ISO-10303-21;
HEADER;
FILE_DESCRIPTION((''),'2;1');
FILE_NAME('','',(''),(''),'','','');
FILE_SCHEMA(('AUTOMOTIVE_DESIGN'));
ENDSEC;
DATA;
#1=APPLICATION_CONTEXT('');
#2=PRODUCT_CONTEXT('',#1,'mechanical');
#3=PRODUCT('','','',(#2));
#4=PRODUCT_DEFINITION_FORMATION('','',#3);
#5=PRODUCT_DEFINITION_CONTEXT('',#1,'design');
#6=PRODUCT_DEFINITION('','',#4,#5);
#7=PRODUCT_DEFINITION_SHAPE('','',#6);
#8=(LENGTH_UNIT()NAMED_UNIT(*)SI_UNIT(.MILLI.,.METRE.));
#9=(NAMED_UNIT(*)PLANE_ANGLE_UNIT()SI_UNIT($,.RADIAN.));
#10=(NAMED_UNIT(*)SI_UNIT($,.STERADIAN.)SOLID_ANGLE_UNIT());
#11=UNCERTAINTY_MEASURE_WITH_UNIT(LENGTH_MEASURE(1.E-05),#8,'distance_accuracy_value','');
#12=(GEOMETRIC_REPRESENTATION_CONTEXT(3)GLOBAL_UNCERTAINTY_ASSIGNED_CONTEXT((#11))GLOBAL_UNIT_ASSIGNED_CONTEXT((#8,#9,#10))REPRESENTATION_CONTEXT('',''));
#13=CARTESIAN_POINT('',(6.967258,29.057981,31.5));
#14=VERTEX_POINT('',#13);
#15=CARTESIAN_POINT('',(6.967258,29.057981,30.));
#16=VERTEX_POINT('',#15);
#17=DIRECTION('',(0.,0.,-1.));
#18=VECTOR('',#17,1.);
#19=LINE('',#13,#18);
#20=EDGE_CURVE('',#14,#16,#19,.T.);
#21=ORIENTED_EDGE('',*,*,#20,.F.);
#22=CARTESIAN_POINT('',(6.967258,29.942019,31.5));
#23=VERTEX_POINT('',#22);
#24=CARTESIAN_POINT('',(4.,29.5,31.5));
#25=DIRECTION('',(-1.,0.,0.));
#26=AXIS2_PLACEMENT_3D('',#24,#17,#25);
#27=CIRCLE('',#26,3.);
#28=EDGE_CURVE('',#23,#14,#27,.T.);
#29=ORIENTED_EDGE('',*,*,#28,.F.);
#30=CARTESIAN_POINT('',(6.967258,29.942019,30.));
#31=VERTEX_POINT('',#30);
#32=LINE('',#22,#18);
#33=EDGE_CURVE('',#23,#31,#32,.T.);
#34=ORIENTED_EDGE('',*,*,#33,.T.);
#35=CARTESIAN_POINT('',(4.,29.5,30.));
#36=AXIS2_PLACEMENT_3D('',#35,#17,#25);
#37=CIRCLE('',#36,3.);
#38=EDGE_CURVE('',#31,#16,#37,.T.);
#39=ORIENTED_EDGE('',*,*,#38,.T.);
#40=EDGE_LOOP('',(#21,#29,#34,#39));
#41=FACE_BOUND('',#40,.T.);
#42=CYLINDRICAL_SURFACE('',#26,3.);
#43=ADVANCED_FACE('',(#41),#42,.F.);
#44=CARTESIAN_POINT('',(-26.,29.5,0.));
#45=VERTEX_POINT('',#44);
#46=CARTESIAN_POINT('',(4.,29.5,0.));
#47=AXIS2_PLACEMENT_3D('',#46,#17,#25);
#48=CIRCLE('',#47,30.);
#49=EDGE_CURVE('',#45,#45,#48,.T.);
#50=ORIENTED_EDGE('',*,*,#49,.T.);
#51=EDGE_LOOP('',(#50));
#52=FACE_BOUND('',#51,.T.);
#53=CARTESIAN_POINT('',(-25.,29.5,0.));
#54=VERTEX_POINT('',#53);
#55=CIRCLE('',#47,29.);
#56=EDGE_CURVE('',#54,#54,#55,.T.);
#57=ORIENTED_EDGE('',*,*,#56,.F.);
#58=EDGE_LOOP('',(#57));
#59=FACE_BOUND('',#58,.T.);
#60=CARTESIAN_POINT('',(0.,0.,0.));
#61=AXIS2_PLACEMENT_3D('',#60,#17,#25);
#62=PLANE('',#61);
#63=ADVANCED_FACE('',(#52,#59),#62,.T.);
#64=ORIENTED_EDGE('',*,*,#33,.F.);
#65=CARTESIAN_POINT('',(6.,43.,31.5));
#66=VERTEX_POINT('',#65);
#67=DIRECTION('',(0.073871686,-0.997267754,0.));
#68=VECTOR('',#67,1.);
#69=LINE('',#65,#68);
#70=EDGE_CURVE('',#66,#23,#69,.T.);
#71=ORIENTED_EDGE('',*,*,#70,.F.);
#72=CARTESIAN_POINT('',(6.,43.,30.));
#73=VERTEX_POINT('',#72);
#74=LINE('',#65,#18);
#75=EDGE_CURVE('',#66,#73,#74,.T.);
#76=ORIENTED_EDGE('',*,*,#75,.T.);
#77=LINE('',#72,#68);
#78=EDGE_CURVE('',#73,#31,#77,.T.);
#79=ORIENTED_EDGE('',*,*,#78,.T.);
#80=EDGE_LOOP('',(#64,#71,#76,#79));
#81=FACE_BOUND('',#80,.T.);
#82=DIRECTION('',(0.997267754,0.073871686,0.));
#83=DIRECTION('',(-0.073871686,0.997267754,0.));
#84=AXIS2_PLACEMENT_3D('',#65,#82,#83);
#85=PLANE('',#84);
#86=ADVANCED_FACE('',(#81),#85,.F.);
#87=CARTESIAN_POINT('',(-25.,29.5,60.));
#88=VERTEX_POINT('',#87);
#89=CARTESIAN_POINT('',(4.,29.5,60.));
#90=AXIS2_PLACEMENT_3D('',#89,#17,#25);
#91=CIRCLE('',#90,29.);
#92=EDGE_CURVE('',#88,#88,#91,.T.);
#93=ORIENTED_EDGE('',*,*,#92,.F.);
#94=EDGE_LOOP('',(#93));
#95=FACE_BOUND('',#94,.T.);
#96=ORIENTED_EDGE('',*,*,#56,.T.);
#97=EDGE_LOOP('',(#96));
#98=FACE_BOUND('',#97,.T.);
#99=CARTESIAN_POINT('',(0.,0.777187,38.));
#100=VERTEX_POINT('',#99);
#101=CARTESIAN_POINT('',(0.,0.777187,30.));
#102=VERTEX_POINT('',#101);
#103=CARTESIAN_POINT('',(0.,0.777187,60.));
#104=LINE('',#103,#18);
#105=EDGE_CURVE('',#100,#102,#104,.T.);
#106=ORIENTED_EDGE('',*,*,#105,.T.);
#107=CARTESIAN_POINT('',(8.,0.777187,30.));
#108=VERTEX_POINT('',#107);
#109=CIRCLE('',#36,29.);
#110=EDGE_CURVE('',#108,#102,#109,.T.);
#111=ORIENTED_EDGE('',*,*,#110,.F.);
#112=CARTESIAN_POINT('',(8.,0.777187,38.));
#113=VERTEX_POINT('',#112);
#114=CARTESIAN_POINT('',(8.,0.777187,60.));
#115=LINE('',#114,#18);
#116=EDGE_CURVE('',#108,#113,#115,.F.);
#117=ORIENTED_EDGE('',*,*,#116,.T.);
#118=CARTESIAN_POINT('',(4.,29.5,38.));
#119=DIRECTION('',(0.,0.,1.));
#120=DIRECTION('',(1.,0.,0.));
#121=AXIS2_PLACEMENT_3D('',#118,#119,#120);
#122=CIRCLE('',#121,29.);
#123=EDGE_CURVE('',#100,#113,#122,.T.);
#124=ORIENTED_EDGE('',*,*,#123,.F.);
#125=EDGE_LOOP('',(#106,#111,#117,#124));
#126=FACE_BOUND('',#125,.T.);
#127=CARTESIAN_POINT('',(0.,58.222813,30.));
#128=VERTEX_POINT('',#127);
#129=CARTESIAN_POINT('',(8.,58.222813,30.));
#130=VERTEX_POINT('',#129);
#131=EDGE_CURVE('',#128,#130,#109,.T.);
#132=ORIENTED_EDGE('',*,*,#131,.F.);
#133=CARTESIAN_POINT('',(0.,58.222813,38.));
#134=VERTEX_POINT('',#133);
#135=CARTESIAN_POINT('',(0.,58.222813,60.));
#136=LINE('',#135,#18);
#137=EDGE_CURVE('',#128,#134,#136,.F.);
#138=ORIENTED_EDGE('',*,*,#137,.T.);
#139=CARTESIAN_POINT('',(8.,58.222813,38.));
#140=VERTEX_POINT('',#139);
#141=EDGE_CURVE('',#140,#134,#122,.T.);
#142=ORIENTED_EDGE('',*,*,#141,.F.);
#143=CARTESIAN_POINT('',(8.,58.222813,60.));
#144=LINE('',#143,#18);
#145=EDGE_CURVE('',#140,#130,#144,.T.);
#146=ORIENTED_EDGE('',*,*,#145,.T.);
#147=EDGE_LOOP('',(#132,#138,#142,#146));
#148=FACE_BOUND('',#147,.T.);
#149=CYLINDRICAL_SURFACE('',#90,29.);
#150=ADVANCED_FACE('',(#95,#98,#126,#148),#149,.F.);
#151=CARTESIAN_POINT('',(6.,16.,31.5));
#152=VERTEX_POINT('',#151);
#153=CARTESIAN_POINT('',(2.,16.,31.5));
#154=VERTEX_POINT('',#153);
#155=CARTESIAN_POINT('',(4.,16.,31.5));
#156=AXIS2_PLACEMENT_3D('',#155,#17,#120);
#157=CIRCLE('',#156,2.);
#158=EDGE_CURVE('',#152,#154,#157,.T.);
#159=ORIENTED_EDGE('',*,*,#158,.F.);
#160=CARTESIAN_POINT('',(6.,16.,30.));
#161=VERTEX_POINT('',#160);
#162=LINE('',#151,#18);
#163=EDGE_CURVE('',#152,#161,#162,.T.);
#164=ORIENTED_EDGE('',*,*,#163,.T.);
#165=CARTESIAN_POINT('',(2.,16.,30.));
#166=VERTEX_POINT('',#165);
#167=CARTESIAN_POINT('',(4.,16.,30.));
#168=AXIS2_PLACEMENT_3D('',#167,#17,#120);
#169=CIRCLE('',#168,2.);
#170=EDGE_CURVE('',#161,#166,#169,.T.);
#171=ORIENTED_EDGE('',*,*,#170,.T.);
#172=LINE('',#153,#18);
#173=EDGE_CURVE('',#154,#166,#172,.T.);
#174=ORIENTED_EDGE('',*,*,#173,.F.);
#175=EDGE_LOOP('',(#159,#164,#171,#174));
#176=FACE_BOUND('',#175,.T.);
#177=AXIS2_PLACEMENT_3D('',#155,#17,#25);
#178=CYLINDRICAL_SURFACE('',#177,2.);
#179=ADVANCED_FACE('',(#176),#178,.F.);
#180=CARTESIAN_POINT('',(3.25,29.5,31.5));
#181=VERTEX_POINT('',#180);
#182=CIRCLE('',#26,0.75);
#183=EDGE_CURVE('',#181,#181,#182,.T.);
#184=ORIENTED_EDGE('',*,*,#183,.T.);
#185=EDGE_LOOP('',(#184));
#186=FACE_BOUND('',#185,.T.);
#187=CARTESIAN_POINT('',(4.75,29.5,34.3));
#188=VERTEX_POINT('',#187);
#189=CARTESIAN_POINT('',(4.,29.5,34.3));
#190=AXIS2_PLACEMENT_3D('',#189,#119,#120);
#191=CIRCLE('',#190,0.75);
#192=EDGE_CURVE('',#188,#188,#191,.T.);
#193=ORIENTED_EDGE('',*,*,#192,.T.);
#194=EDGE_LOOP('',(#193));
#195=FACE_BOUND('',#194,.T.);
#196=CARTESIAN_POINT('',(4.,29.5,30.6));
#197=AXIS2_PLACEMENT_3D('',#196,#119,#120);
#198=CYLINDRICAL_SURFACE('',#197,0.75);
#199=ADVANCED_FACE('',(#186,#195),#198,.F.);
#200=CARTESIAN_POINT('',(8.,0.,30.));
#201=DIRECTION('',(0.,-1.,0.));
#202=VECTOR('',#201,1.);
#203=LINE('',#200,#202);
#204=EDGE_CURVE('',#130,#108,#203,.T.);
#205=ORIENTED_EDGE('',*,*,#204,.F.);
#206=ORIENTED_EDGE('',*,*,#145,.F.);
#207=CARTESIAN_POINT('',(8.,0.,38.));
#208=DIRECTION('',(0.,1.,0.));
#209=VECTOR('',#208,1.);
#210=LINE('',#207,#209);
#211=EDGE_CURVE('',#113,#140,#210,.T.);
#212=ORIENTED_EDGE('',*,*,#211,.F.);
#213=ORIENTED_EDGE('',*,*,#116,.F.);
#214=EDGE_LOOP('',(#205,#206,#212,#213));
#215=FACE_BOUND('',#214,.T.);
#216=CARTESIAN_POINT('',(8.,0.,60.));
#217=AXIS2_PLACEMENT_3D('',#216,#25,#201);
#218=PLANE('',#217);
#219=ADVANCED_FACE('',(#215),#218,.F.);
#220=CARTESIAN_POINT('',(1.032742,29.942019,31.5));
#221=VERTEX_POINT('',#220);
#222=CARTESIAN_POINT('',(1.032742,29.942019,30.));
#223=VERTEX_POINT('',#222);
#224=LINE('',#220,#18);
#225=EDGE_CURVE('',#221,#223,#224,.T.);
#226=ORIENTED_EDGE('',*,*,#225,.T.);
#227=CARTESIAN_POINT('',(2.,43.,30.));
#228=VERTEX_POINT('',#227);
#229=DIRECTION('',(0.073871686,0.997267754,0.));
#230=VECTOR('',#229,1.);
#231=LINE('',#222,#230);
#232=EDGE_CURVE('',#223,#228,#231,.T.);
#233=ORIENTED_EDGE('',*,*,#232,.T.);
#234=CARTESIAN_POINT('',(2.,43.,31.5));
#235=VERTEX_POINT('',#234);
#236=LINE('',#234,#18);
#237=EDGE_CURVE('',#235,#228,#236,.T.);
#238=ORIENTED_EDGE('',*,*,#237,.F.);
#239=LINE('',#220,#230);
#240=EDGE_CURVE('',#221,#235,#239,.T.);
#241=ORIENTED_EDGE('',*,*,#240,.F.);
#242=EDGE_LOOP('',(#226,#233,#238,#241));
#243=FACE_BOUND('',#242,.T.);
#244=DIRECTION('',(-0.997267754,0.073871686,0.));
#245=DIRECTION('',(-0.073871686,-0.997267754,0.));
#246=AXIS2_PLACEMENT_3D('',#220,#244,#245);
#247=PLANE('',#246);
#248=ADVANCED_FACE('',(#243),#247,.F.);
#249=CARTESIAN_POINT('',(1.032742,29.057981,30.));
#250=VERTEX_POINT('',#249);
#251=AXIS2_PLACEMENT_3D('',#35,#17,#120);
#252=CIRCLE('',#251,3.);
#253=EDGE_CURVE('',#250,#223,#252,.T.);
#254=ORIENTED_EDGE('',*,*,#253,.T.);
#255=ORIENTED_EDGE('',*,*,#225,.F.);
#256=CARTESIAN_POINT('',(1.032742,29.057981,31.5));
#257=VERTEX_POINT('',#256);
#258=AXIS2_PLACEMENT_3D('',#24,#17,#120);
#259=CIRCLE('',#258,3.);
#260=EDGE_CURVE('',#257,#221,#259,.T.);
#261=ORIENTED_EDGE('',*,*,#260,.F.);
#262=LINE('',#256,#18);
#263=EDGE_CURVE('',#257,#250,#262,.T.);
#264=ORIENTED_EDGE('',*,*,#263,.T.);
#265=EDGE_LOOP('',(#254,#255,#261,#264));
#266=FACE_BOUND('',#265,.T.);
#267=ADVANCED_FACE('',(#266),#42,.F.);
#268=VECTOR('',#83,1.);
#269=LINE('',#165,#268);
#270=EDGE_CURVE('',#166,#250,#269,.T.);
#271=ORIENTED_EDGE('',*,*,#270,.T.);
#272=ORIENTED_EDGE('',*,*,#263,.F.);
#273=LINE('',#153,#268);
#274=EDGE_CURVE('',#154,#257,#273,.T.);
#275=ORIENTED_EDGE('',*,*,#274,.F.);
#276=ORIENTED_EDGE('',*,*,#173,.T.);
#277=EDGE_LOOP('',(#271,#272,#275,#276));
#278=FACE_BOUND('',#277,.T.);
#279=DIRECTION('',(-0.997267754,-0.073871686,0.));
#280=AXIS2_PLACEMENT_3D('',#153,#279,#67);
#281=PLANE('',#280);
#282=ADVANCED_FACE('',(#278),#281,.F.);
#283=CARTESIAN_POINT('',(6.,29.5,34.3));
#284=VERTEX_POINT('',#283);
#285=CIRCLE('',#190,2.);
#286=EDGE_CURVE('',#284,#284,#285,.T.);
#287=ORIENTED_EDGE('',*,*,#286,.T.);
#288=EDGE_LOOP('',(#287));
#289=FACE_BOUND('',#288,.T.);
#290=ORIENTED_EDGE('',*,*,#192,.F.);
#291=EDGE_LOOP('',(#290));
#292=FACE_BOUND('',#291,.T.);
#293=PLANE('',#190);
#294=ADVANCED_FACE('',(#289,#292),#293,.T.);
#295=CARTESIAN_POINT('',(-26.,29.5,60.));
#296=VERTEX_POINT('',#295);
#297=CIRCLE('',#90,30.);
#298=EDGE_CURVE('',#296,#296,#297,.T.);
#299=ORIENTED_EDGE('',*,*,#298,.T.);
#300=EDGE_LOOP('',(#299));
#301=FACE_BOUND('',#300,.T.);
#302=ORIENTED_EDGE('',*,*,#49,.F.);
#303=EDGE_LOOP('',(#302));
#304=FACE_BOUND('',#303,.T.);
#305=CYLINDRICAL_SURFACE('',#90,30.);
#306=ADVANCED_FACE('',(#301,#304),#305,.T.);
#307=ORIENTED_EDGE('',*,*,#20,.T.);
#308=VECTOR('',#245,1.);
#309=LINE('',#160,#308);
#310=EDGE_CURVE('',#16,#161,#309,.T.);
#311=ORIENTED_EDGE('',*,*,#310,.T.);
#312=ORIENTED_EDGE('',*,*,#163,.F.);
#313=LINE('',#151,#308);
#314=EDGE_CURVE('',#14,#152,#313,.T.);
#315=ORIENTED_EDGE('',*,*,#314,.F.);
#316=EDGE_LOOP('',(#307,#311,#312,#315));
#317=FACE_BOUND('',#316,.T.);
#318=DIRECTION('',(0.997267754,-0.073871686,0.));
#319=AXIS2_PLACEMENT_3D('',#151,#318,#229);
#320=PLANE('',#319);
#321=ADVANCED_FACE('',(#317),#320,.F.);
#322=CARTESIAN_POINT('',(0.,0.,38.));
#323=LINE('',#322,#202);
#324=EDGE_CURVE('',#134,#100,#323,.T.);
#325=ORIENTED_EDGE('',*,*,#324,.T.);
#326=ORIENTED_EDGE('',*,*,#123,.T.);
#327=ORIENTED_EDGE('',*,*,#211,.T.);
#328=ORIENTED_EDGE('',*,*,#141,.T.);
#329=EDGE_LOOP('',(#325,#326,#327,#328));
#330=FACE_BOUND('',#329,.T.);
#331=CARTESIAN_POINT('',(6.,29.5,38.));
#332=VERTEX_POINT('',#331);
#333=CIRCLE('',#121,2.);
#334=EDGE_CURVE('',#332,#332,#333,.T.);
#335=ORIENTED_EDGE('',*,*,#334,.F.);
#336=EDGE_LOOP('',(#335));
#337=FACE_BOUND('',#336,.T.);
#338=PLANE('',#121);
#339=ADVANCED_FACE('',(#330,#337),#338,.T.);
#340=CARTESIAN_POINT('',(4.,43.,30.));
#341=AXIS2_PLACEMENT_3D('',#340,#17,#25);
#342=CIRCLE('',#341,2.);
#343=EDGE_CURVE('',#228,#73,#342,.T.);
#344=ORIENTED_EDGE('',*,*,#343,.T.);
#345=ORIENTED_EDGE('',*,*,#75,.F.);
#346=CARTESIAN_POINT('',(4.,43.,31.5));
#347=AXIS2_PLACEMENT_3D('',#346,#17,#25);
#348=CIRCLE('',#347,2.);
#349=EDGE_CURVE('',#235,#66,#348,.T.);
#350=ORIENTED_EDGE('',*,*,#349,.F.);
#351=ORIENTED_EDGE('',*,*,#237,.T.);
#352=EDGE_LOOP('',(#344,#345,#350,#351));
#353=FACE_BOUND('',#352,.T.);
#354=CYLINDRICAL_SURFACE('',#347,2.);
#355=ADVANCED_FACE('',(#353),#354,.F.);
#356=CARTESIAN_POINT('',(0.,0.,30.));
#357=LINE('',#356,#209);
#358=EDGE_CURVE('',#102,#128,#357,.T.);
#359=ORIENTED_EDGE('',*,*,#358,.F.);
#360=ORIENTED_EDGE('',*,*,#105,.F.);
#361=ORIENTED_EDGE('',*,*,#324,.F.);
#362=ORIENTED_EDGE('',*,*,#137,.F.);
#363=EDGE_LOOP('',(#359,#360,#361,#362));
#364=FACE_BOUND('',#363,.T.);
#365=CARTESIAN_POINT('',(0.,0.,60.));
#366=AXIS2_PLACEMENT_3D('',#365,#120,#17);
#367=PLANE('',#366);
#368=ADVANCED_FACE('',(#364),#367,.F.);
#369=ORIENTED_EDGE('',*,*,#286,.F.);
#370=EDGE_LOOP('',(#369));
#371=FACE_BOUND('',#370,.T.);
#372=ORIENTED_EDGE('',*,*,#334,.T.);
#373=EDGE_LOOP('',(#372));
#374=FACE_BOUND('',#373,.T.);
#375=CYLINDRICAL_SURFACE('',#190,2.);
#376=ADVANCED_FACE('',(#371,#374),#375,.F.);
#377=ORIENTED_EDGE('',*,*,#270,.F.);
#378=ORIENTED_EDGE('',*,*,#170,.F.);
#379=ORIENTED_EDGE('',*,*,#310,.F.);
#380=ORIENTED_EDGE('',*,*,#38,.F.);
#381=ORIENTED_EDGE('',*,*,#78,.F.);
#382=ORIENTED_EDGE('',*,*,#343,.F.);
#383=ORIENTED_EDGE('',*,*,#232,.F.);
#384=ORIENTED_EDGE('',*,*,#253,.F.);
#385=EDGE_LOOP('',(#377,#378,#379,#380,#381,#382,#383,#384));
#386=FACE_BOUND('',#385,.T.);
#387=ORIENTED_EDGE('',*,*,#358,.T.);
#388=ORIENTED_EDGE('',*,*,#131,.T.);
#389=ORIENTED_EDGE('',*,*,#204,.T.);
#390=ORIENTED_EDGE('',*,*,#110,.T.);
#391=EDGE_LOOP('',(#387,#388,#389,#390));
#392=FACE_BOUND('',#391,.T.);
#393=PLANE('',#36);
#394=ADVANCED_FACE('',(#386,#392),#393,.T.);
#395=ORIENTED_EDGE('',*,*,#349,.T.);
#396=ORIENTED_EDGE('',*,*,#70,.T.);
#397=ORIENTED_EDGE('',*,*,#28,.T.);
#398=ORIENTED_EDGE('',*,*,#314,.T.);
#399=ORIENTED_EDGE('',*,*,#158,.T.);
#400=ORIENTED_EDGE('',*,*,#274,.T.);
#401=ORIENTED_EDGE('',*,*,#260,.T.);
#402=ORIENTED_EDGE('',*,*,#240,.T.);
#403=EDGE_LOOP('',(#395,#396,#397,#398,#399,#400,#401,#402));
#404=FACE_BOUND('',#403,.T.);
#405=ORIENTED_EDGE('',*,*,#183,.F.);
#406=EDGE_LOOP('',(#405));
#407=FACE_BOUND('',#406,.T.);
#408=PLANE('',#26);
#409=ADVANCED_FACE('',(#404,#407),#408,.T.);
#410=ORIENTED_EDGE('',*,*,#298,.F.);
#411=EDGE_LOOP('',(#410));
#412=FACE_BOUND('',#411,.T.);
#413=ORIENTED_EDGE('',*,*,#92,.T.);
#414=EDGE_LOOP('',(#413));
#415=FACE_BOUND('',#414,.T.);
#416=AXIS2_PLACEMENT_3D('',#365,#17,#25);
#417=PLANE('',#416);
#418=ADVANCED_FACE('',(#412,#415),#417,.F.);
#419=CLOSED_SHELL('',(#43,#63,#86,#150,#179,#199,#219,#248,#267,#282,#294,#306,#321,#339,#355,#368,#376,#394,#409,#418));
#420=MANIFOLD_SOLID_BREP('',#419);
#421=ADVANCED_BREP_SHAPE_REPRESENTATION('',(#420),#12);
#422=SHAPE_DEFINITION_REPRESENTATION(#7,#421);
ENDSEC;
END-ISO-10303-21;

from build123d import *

# Parameters (mm, degrees)
ESQUISSE1_W             = 8
ESQUISSE1_H             = 59
BOSS_EXTRU_1_DEPTH      = 60
ESQUISSE3_R             = 30
ESQUISSE3_R_2           = 29
BOSS_EXTRU_2_DEPTH      = 60
ESQUISSE4_R             = 29
ENL_V_MAT_EXTRU_3_DEPTH = 30
ENL_V_MAT_EXTRU_5_DEPTH = 1.5
ESQUISSE6_R             = 29
ENL_V_MAT_EXTRU_6_DEPTH = 22
ESQUISSE7_R             = 2
ENL_V_MAT_EXTRU_7_DEPTH = 6.5
ESQUISSE9_R             = 2
BOSS_EXTRU_4_DEPTH      = 6.5
ESQUISSE10_R            = 2
ENL_V_MAT_EXTRU_8_DEPTH = 3.7
ESQUISSE11_R            = 0.75
ENL_V_MAT_EXTRU_9_DEPTH = 3.7


with BuildPart() as part:
    # Esquisse1 → Boss.-Extru.1 (new body)
    with BuildSketch(Plane.XY):
        with Locations((4, 29.5)):
            Rectangle(ESQUISSE1_W, ESQUISSE1_H)
    extrude(amount=BOSS_EXTRU_1_DEPTH)

    # Esquisse3 → Boss.-Extru.2 (add)
    with BuildSketch(Plane(origin=(0, 0, 0), x_dir=(-1, 0, 0), z_dir=(0, 0, -1))):
        with Locations((-4, 29.5)):
            Circle(ESQUISSE3_R)
        with Locations((-4, 29.5)):
            Circle(ESQUISSE3_R_2, mode=Mode.SUBTRACT)
    extrude(amount=-BOSS_EXTRU_2_DEPTH)

    # Esquisse4 → Enlèv. mat.-Extru.3 (cut)
    with BuildSketch(Plane(origin=(0, 0, 0), x_dir=(-1, 0, 0), z_dir=(0, 0, -1))):
        with Locations((-4, 29.5)):
            Circle(ESQUISSE4_R)
    extrude(amount=-ENL_V_MAT_EXTRU_3_DEPTH, mode=Mode.SUBTRACT)

    # Esquisse5 → Enlèv. mat.-Extru.5 (cut)
    with BuildSketch(Plane(origin=(0, 0, 30), x_dir=(-1, 0, 0), z_dir=(0, 0, -1))):
        with BuildLine():
            Line((-6, 43), (-6.967257844, 29.9420191))
            ThreePointArc((-6.967257844, 29.9420191), (-7, 29.5), (-6.967257844, 29.0579809))
            Line((-6.967257844, 29.0579809), (-6, 16))
            ThreePointArc((-6, 16), (-4, 14), (-2, 16))
            Line((-2, 16), (-1.032742156, 29.0579809))
            ThreePointArc((-1.032742156, 29.0579809), (-1, 29.5), (-1.032742156, 29.9420191))
            Line((-1.032742156, 29.9420191), (-2, 43))
            ThreePointArc((-2, 43), (-4, 45), (-6, 43))
        make_face()
    extrude(amount=-ENL_V_MAT_EXTRU_5_DEPTH, mode=Mode.SUBTRACT)

    # Esquisse6 → Enlèv. mat.-Extru.6 (cut)
    with BuildSketch(Plane.XY.offset(60)):
        with Locations((4, 29.5)):
            Circle(ESQUISSE6_R)
    extrude(amount=-ENL_V_MAT_EXTRU_6_DEPTH, mode=Mode.SUBTRACT)

    # Esquisse7 → Enlèv. mat.-Extru.7 (cut)
    with BuildSketch(Plane(origin=(0, 0, 31.5), x_dir=(-1, 0, 0), z_dir=(0, 0, -1))):
        with Locations((-4, 29.5)):
            Circle(ESQUISSE7_R)
    extrude(amount=-ENL_V_MAT_EXTRU_7_DEPTH, mode=Mode.SUBTRACT)

    # Esquisse9 → Boss.-Extru.4 (add)
    with BuildSketch(Plane.XY.offset(38)):
        with Locations((4, 29.5)):
            Circle(ESQUISSE9_R)
    extrude(amount=-BOSS_EXTRU_4_DEPTH)

    # Esquisse10 → Enlèv. mat.-Extru.8 (cut)
    with BuildSketch(Plane.XY.offset(38)):
        with Locations((4, 29.5)):
            Circle(ESQUISSE10_R)
    extrude(amount=-ENL_V_MAT_EXTRU_8_DEPTH, mode=Mode.SUBTRACT)

    # Esquisse11 → Enlèv. mat.-Extru.9 (cut)
    with BuildSketch(Plane.XY.offset(34.3)):
        with Locations((4, 29.5)):
            Circle(ESQUISSE11_R)
    extrude(amount=-ENL_V_MAT_EXTRU_9_DEPTH, mode=Mode.SUBTRACT)


solid = part.part
